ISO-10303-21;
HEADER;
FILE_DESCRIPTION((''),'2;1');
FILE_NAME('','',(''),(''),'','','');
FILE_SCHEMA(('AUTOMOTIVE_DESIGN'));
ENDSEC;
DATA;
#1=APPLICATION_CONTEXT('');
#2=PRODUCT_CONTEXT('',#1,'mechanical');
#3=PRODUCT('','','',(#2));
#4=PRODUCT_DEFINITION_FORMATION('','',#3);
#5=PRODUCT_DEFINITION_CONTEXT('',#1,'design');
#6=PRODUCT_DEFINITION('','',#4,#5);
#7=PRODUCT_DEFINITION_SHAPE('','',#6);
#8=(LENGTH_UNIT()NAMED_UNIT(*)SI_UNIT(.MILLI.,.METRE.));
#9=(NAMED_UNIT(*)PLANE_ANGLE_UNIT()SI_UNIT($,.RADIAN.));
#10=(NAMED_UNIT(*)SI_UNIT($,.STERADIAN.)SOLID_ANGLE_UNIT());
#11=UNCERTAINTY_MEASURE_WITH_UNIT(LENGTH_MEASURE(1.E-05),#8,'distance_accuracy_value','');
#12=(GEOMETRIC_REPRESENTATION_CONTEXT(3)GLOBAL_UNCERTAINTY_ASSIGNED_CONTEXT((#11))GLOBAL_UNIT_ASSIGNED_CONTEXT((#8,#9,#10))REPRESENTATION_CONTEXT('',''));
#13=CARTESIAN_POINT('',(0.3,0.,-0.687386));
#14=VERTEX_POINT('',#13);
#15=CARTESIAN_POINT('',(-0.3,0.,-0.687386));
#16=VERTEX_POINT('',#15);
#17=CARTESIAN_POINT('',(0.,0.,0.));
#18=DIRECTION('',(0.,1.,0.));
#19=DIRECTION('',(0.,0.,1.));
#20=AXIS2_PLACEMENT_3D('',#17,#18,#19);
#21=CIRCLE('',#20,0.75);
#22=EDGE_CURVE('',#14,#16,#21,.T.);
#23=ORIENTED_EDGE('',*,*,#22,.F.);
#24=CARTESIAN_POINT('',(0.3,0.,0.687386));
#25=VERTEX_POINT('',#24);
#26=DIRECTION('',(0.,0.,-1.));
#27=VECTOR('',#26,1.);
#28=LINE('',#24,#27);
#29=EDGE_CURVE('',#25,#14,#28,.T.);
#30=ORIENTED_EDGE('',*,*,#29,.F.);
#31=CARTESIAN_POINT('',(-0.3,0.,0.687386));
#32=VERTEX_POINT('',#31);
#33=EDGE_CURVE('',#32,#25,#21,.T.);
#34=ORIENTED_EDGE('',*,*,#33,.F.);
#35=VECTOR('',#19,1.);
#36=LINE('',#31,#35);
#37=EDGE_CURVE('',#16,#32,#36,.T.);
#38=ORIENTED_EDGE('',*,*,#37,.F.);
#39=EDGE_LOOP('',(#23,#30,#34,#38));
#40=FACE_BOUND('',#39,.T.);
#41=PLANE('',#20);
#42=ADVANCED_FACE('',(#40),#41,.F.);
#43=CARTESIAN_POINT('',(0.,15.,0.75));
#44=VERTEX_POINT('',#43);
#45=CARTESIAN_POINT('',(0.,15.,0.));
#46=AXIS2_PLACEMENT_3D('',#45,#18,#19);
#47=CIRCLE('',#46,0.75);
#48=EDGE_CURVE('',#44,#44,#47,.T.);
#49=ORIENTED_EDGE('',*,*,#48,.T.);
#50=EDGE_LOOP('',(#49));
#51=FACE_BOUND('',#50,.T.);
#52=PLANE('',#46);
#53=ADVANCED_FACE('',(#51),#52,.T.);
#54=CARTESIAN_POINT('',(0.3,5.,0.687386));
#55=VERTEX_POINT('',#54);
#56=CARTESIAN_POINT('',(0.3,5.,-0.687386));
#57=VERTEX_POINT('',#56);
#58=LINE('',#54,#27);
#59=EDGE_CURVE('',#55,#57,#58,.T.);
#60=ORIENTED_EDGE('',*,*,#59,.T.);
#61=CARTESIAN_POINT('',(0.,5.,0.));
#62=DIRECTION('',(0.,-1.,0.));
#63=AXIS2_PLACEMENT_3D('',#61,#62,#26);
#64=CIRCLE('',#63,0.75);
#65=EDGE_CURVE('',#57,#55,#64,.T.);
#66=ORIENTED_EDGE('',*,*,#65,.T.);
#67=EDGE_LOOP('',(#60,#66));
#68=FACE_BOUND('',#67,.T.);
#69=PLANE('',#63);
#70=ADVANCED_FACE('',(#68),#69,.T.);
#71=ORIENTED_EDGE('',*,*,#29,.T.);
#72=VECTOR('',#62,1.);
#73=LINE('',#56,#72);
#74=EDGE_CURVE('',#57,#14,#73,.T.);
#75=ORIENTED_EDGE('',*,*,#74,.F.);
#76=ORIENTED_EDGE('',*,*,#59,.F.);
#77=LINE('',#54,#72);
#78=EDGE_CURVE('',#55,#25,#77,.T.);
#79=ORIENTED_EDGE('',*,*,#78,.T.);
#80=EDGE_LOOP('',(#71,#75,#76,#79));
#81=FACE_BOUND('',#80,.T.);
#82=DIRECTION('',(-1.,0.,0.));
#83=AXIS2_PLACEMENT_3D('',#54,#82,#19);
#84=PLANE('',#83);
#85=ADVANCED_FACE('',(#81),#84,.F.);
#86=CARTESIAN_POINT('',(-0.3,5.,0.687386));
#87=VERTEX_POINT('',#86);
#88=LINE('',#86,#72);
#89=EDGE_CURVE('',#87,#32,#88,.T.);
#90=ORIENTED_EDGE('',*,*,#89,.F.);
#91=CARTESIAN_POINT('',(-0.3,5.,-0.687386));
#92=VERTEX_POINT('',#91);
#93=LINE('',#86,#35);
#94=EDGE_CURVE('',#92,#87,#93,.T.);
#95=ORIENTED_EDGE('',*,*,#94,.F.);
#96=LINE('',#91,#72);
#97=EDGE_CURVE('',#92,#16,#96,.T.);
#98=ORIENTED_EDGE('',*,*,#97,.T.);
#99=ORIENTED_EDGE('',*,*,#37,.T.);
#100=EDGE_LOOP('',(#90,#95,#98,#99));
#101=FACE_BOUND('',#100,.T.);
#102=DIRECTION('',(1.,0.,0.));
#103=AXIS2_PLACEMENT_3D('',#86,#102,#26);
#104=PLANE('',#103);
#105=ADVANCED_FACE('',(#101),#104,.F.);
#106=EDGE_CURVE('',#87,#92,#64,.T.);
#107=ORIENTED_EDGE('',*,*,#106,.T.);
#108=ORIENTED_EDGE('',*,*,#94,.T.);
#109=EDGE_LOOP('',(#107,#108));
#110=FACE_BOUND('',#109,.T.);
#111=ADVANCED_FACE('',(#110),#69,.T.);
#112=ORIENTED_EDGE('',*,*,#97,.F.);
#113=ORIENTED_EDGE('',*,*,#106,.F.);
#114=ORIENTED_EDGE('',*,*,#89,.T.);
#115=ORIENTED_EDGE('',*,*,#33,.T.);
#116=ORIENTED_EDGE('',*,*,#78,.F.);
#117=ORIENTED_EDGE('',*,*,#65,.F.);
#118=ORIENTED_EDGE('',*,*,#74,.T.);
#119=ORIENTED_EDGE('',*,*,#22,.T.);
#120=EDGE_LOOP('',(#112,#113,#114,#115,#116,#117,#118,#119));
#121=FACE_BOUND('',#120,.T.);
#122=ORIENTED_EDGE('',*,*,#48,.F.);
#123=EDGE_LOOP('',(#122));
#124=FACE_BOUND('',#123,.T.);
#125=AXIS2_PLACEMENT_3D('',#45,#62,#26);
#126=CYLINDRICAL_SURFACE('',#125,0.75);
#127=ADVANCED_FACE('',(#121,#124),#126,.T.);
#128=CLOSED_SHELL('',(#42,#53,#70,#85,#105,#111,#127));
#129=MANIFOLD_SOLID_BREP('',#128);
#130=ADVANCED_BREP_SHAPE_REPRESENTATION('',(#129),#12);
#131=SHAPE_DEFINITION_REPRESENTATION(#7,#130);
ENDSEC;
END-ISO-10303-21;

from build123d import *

# Parameters (mm, degrees)
SKETCH1_R           = 0.75
BOSS_EXTRUDE1_DEPTH = 15
CUT_EXTRUDE1_DEPTH  = 5


with BuildPart() as part:
    # Sketch1 → Boss-Extrude1 (new body)
    with BuildSketch(Plane(origin=(0, 0, 0), x_dir=(1, 0, 0), z_dir=(0, 1, 0))):
        with Locations(Location((0, 0, 0), (0, 0, 270))):
            Circle(SKETCH1_R)
    extrude(amount=BOSS_EXTRUDE1_DEPTH)

    # Sketch2 → Cut-Extrude1 (cut)
    with BuildSketch(Plane.XZ):
        with BuildLine():
            Line((-0.3, 0.687386354), (-0.3, -0.687386354))
            ThreePointArc((-0.3, -0.687386354), (-0.75, 0), (-0.3, 0.687386354))
        make_face()
        with BuildLine():
            Line((0.3, 0.687386354), (0.3, -0.687386354))
            ThreePointArc((0.3, -0.687386354), (0.75, 0), (0.3, 0.687386354))
        make_face()
    extrude(amount=-CUT_EXTRUDE1_DEPTH, mode=Mode.SUBTRACT)


solid = part.part
